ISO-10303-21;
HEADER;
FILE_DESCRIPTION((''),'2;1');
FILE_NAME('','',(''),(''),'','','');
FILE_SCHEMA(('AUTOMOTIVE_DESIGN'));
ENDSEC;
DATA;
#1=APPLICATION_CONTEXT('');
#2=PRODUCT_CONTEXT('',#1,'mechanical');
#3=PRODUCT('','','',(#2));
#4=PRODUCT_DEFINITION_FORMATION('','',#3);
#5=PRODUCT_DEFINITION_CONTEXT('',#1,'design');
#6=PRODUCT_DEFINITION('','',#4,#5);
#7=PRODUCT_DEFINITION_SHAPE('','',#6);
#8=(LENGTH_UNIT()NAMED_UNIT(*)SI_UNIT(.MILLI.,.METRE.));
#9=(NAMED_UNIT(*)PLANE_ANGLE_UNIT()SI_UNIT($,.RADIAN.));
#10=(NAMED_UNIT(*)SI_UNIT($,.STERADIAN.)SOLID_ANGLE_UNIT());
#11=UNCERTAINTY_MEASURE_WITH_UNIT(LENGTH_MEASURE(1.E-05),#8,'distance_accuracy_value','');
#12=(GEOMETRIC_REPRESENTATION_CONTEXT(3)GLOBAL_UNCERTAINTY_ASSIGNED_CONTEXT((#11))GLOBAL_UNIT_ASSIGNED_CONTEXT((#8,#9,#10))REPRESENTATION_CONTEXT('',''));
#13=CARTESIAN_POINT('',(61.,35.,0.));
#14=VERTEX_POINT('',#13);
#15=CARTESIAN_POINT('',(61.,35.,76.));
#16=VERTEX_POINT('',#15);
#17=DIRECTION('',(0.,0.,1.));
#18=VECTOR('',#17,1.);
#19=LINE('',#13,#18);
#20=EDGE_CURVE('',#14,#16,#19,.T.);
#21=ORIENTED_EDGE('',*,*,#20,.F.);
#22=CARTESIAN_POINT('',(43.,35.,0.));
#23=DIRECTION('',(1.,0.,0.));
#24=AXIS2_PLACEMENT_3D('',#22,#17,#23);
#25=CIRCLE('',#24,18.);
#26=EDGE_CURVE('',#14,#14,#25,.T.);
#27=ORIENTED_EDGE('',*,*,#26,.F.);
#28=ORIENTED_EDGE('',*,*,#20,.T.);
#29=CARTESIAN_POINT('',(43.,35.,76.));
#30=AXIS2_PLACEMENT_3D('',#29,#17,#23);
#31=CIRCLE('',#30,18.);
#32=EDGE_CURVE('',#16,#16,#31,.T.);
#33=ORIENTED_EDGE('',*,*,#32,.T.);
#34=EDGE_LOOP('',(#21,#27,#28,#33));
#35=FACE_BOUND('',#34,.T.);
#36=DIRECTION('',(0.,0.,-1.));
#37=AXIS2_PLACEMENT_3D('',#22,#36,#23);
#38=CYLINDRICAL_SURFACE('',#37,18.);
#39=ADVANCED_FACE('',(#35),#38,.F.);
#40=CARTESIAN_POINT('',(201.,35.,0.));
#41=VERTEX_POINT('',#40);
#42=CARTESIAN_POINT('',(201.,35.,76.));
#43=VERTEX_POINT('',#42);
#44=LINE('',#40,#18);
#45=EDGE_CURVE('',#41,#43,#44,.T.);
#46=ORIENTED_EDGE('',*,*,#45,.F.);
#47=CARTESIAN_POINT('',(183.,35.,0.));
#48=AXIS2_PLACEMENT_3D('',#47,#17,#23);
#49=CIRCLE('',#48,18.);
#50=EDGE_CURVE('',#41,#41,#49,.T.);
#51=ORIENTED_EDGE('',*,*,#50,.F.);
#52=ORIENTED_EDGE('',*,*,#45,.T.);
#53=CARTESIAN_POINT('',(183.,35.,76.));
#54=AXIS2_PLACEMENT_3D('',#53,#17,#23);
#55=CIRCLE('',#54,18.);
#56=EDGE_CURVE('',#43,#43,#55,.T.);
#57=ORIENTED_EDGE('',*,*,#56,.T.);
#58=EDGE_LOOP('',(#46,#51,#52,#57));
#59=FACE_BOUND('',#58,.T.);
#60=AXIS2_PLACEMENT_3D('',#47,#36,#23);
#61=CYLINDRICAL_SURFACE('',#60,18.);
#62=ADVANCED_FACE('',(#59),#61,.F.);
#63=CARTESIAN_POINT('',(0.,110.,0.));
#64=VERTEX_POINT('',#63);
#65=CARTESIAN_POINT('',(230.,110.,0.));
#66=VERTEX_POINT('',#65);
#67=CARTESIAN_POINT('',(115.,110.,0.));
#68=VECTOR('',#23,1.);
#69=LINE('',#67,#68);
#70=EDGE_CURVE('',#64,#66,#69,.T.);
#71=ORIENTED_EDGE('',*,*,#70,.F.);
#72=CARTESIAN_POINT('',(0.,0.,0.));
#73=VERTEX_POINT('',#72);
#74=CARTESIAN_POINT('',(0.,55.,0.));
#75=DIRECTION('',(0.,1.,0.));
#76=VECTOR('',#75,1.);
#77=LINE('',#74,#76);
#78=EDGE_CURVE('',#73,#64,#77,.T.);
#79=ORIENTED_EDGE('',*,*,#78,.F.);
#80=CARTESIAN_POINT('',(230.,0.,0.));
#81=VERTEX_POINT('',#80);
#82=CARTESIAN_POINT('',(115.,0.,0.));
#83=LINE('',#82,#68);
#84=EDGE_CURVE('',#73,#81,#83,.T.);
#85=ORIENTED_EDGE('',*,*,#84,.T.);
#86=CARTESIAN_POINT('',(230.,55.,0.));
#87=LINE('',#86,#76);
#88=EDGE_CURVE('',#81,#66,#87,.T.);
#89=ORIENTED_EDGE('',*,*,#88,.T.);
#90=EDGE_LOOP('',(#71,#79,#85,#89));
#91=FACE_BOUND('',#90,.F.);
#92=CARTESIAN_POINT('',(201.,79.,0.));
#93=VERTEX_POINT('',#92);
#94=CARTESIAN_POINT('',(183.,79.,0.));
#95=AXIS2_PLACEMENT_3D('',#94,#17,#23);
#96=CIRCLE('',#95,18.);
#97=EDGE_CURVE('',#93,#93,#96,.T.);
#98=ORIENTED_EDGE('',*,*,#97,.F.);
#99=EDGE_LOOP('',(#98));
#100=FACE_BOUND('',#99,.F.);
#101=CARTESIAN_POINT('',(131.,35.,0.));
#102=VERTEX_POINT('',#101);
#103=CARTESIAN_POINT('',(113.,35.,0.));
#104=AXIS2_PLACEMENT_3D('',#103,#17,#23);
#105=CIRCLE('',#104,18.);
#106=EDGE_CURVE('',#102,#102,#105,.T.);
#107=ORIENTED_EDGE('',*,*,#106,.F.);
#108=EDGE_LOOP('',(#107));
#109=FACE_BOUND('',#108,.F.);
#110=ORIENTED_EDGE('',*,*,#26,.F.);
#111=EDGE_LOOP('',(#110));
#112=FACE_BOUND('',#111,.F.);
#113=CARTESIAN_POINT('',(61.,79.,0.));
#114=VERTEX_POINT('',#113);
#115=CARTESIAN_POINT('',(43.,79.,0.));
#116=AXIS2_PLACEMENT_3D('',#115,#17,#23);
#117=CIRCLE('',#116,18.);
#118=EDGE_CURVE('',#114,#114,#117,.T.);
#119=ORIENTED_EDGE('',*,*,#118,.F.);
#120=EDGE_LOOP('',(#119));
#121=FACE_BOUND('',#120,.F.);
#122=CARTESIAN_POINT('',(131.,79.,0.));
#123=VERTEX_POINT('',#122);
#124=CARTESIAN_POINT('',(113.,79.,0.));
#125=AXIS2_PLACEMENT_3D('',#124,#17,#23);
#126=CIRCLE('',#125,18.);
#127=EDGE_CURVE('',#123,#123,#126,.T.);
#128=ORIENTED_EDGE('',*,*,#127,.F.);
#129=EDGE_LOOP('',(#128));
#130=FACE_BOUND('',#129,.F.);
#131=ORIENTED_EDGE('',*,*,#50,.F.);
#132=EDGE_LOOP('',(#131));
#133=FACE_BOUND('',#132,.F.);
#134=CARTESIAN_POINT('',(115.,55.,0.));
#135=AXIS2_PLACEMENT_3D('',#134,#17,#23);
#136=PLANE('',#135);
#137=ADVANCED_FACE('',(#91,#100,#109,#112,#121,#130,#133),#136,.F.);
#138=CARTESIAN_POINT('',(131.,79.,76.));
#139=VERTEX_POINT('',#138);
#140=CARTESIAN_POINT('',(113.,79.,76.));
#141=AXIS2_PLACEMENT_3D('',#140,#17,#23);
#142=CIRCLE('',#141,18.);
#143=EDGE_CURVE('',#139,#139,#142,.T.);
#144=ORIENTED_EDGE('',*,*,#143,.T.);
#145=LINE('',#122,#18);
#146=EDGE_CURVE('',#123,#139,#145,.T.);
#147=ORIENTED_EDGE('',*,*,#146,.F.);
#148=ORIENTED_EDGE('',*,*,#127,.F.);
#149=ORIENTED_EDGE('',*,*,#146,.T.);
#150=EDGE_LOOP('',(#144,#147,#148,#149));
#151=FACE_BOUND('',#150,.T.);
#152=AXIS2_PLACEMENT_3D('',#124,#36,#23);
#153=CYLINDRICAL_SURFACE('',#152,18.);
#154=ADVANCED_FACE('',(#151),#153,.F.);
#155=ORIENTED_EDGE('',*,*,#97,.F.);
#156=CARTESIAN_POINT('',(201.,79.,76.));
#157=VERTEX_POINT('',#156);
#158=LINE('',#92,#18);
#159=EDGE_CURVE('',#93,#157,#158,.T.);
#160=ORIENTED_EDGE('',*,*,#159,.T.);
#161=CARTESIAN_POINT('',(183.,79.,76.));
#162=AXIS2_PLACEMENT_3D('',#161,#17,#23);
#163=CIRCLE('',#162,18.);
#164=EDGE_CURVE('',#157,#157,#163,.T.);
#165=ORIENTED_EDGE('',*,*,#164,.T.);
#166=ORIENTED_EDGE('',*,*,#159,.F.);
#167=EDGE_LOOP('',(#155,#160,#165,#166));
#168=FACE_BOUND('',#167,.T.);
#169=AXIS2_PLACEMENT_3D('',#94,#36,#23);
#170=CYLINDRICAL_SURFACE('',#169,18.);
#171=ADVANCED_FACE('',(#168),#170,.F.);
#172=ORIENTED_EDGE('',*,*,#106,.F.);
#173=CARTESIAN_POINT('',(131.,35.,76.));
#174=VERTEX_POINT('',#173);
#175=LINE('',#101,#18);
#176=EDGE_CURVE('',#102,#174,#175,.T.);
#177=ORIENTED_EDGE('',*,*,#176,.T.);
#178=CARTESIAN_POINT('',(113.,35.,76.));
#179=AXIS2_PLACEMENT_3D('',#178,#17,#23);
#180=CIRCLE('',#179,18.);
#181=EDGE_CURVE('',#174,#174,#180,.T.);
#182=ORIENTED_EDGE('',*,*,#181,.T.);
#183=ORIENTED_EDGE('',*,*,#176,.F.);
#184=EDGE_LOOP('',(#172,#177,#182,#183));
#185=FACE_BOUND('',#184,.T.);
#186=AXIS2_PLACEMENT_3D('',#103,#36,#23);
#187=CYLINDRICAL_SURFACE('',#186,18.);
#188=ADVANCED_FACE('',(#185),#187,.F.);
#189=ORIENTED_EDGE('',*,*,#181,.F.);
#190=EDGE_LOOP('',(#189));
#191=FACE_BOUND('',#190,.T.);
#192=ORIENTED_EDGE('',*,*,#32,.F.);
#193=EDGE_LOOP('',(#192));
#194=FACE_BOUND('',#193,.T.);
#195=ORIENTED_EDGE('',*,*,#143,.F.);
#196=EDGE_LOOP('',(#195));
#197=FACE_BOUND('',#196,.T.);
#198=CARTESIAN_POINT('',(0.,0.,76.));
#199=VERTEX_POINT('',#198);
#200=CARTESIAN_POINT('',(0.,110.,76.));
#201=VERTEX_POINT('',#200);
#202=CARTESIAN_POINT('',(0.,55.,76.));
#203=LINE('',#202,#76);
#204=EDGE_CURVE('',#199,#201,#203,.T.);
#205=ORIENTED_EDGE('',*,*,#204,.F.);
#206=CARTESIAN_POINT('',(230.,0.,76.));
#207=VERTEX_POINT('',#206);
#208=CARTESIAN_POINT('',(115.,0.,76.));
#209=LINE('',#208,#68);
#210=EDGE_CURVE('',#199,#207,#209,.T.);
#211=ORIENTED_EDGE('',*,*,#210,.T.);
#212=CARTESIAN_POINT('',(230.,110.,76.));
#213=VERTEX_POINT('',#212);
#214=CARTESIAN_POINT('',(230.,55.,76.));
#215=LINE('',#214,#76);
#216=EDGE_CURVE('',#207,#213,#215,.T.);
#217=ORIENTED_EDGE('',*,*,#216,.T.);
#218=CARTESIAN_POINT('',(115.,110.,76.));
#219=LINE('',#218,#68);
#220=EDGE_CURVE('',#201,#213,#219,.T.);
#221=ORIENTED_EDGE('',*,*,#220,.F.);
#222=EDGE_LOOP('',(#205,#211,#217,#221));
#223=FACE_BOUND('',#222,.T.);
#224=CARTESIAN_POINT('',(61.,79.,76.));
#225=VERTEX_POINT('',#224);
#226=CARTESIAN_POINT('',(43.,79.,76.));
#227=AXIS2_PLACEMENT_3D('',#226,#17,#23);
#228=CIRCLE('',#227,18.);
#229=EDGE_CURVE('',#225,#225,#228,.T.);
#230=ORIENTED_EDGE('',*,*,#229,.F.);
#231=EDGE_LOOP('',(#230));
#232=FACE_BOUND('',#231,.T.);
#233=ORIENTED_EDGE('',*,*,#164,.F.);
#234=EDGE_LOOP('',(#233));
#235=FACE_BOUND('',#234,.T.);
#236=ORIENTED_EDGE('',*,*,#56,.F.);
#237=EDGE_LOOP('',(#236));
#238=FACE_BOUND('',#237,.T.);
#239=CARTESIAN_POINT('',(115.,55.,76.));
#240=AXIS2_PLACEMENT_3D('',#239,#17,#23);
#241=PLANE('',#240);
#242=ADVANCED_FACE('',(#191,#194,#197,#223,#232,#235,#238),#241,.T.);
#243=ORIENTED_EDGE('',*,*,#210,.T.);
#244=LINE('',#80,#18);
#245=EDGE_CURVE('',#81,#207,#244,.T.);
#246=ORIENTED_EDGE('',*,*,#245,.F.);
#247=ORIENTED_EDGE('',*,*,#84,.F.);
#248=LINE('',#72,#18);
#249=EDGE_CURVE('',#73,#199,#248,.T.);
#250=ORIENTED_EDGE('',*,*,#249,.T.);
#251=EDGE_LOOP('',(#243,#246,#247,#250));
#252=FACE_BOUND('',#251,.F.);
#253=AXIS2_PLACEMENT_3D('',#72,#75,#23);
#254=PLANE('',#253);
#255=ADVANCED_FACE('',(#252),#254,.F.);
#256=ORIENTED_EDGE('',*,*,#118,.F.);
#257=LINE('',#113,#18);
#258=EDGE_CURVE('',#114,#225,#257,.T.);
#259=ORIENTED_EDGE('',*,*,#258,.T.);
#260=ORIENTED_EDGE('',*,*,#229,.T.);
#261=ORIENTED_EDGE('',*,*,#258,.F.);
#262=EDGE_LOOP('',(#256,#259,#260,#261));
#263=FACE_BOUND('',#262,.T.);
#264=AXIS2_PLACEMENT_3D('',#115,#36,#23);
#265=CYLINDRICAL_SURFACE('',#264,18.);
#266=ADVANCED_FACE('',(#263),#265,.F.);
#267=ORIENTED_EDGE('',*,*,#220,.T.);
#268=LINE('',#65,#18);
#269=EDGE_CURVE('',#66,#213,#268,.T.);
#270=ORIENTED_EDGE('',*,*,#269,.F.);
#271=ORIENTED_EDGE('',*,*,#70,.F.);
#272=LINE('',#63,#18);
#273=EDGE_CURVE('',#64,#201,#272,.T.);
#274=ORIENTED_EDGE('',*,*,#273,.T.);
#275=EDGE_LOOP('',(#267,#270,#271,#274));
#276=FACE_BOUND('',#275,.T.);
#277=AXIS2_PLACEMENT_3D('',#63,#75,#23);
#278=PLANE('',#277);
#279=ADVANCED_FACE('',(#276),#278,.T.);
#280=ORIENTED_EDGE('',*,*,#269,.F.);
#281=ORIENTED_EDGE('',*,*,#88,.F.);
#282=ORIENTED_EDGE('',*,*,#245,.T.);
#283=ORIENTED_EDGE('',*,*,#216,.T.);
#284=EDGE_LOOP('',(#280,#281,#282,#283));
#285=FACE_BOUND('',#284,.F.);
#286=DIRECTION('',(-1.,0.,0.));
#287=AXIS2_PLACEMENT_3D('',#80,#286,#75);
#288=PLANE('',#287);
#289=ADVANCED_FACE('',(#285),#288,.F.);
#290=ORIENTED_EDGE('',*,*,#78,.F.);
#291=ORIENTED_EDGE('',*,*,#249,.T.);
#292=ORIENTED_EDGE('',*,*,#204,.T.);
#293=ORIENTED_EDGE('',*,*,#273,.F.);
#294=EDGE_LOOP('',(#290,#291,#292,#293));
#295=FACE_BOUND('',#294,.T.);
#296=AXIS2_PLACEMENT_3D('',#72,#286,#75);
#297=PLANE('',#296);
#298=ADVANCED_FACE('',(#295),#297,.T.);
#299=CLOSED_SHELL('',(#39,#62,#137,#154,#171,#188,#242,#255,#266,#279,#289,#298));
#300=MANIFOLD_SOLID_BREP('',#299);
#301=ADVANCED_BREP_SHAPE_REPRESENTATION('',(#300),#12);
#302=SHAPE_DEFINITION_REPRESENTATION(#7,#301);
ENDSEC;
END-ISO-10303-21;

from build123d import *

# Parameters (mm, degrees)
CYLINDER001_R     = 18
CYLINDER001_DEPTH = 76
CYLINDER002_R     = 18
CYLINDER002_DEPTH = 76
CYLINDER003_R     = 18
CYLINDER003_DEPTH = 76
CYLINDER004_R     = 18
CYLINDER004_DEPTH = 76
CYLINDER005_R     = 18
CYLINDER005_DEPTH = 76
CYLINDER_R        = 18
CYLINDER_DEPTH    = 76
BOX_W             = 230
BOX_H             = 110
BOX_DEPTH         = 76


with BuildPart() as cilindre001:
    # Cylinder001 → Cylinder001 (new body)
    with BuildSketch(Plane(origin=(113, 79, 0), x_dir=(1, 0, 0), z_dir=(0, 0, 1))):
        Circle(CYLINDER001_R)
    extrude(amount=CYLINDER001_DEPTH)


with BuildPart() as cilindre002:
    # Cylinder002 → Cylinder002 (new body)
    with BuildSketch(Plane(origin=(183, 79, 0), x_dir=(1, 0, 0), z_dir=(0, 0, 1))):
        Circle(CYLINDER002_R)
    extrude(amount=CYLINDER002_DEPTH)


with BuildPart() as cilindre003:
    # Cylinder003 → Cylinder003 (new body)
    with BuildSketch(Plane(origin=(43, 35, 0), x_dir=(1, 0, 0), z_dir=(0, 0, 1))):
        Circle(CYLINDER003_R)
    extrude(amount=CYLINDER003_DEPTH)


with BuildPart() as cilindre004:
    # Cylinder004 → Cylinder004 (new body)
    with BuildSketch(Plane(origin=(113, 35, 0), x_dir=(1, 0, 0), z_dir=(0, 0, 1))):
        Circle(CYLINDER004_R)
    extrude(amount=CYLINDER004_DEPTH)


with BuildPart() as cilindre005:
    # Cylinder005 → Cylinder005 (new body)
    with BuildSketch(Plane(origin=(183, 35, 0), x_dir=(1, 0, 0), z_dir=(0, 0, 1))):
        Circle(CYLINDER005_R)
    extrude(amount=CYLINDER005_DEPTH)


with BuildPart() as fusion:
    # Cylinder → Cylinder (new body)
    with BuildSketch(Plane(origin=(43, 79, 0), x_dir=(1, 0, 0), z_dir=(0, 0, 1))):
        Circle(CYLINDER_R)
    extrude(amount=CYLINDER_DEPTH)

    # Fusion: union Cilindre001, Cilindre002, Cilindre003, Cilindre004, Cilindre005
    add(cilindre001.part)
    add(cilindre002.part)
    add(cilindre003.part)
    add(cilindre004.part)
    add(cilindre005.part)


with BuildPart() as cut:
    # Box → Box (new body)
    with BuildSketch(Plane.XY):
        with Locations((115, 55)):
            Rectangle(BOX_W, BOX_H)
    extrude(amount=BOX_DEPTH)

    # Cut: cut Fusion
    add(fusion.part, mode=Mode.SUBTRACT)


solid = cut.part
